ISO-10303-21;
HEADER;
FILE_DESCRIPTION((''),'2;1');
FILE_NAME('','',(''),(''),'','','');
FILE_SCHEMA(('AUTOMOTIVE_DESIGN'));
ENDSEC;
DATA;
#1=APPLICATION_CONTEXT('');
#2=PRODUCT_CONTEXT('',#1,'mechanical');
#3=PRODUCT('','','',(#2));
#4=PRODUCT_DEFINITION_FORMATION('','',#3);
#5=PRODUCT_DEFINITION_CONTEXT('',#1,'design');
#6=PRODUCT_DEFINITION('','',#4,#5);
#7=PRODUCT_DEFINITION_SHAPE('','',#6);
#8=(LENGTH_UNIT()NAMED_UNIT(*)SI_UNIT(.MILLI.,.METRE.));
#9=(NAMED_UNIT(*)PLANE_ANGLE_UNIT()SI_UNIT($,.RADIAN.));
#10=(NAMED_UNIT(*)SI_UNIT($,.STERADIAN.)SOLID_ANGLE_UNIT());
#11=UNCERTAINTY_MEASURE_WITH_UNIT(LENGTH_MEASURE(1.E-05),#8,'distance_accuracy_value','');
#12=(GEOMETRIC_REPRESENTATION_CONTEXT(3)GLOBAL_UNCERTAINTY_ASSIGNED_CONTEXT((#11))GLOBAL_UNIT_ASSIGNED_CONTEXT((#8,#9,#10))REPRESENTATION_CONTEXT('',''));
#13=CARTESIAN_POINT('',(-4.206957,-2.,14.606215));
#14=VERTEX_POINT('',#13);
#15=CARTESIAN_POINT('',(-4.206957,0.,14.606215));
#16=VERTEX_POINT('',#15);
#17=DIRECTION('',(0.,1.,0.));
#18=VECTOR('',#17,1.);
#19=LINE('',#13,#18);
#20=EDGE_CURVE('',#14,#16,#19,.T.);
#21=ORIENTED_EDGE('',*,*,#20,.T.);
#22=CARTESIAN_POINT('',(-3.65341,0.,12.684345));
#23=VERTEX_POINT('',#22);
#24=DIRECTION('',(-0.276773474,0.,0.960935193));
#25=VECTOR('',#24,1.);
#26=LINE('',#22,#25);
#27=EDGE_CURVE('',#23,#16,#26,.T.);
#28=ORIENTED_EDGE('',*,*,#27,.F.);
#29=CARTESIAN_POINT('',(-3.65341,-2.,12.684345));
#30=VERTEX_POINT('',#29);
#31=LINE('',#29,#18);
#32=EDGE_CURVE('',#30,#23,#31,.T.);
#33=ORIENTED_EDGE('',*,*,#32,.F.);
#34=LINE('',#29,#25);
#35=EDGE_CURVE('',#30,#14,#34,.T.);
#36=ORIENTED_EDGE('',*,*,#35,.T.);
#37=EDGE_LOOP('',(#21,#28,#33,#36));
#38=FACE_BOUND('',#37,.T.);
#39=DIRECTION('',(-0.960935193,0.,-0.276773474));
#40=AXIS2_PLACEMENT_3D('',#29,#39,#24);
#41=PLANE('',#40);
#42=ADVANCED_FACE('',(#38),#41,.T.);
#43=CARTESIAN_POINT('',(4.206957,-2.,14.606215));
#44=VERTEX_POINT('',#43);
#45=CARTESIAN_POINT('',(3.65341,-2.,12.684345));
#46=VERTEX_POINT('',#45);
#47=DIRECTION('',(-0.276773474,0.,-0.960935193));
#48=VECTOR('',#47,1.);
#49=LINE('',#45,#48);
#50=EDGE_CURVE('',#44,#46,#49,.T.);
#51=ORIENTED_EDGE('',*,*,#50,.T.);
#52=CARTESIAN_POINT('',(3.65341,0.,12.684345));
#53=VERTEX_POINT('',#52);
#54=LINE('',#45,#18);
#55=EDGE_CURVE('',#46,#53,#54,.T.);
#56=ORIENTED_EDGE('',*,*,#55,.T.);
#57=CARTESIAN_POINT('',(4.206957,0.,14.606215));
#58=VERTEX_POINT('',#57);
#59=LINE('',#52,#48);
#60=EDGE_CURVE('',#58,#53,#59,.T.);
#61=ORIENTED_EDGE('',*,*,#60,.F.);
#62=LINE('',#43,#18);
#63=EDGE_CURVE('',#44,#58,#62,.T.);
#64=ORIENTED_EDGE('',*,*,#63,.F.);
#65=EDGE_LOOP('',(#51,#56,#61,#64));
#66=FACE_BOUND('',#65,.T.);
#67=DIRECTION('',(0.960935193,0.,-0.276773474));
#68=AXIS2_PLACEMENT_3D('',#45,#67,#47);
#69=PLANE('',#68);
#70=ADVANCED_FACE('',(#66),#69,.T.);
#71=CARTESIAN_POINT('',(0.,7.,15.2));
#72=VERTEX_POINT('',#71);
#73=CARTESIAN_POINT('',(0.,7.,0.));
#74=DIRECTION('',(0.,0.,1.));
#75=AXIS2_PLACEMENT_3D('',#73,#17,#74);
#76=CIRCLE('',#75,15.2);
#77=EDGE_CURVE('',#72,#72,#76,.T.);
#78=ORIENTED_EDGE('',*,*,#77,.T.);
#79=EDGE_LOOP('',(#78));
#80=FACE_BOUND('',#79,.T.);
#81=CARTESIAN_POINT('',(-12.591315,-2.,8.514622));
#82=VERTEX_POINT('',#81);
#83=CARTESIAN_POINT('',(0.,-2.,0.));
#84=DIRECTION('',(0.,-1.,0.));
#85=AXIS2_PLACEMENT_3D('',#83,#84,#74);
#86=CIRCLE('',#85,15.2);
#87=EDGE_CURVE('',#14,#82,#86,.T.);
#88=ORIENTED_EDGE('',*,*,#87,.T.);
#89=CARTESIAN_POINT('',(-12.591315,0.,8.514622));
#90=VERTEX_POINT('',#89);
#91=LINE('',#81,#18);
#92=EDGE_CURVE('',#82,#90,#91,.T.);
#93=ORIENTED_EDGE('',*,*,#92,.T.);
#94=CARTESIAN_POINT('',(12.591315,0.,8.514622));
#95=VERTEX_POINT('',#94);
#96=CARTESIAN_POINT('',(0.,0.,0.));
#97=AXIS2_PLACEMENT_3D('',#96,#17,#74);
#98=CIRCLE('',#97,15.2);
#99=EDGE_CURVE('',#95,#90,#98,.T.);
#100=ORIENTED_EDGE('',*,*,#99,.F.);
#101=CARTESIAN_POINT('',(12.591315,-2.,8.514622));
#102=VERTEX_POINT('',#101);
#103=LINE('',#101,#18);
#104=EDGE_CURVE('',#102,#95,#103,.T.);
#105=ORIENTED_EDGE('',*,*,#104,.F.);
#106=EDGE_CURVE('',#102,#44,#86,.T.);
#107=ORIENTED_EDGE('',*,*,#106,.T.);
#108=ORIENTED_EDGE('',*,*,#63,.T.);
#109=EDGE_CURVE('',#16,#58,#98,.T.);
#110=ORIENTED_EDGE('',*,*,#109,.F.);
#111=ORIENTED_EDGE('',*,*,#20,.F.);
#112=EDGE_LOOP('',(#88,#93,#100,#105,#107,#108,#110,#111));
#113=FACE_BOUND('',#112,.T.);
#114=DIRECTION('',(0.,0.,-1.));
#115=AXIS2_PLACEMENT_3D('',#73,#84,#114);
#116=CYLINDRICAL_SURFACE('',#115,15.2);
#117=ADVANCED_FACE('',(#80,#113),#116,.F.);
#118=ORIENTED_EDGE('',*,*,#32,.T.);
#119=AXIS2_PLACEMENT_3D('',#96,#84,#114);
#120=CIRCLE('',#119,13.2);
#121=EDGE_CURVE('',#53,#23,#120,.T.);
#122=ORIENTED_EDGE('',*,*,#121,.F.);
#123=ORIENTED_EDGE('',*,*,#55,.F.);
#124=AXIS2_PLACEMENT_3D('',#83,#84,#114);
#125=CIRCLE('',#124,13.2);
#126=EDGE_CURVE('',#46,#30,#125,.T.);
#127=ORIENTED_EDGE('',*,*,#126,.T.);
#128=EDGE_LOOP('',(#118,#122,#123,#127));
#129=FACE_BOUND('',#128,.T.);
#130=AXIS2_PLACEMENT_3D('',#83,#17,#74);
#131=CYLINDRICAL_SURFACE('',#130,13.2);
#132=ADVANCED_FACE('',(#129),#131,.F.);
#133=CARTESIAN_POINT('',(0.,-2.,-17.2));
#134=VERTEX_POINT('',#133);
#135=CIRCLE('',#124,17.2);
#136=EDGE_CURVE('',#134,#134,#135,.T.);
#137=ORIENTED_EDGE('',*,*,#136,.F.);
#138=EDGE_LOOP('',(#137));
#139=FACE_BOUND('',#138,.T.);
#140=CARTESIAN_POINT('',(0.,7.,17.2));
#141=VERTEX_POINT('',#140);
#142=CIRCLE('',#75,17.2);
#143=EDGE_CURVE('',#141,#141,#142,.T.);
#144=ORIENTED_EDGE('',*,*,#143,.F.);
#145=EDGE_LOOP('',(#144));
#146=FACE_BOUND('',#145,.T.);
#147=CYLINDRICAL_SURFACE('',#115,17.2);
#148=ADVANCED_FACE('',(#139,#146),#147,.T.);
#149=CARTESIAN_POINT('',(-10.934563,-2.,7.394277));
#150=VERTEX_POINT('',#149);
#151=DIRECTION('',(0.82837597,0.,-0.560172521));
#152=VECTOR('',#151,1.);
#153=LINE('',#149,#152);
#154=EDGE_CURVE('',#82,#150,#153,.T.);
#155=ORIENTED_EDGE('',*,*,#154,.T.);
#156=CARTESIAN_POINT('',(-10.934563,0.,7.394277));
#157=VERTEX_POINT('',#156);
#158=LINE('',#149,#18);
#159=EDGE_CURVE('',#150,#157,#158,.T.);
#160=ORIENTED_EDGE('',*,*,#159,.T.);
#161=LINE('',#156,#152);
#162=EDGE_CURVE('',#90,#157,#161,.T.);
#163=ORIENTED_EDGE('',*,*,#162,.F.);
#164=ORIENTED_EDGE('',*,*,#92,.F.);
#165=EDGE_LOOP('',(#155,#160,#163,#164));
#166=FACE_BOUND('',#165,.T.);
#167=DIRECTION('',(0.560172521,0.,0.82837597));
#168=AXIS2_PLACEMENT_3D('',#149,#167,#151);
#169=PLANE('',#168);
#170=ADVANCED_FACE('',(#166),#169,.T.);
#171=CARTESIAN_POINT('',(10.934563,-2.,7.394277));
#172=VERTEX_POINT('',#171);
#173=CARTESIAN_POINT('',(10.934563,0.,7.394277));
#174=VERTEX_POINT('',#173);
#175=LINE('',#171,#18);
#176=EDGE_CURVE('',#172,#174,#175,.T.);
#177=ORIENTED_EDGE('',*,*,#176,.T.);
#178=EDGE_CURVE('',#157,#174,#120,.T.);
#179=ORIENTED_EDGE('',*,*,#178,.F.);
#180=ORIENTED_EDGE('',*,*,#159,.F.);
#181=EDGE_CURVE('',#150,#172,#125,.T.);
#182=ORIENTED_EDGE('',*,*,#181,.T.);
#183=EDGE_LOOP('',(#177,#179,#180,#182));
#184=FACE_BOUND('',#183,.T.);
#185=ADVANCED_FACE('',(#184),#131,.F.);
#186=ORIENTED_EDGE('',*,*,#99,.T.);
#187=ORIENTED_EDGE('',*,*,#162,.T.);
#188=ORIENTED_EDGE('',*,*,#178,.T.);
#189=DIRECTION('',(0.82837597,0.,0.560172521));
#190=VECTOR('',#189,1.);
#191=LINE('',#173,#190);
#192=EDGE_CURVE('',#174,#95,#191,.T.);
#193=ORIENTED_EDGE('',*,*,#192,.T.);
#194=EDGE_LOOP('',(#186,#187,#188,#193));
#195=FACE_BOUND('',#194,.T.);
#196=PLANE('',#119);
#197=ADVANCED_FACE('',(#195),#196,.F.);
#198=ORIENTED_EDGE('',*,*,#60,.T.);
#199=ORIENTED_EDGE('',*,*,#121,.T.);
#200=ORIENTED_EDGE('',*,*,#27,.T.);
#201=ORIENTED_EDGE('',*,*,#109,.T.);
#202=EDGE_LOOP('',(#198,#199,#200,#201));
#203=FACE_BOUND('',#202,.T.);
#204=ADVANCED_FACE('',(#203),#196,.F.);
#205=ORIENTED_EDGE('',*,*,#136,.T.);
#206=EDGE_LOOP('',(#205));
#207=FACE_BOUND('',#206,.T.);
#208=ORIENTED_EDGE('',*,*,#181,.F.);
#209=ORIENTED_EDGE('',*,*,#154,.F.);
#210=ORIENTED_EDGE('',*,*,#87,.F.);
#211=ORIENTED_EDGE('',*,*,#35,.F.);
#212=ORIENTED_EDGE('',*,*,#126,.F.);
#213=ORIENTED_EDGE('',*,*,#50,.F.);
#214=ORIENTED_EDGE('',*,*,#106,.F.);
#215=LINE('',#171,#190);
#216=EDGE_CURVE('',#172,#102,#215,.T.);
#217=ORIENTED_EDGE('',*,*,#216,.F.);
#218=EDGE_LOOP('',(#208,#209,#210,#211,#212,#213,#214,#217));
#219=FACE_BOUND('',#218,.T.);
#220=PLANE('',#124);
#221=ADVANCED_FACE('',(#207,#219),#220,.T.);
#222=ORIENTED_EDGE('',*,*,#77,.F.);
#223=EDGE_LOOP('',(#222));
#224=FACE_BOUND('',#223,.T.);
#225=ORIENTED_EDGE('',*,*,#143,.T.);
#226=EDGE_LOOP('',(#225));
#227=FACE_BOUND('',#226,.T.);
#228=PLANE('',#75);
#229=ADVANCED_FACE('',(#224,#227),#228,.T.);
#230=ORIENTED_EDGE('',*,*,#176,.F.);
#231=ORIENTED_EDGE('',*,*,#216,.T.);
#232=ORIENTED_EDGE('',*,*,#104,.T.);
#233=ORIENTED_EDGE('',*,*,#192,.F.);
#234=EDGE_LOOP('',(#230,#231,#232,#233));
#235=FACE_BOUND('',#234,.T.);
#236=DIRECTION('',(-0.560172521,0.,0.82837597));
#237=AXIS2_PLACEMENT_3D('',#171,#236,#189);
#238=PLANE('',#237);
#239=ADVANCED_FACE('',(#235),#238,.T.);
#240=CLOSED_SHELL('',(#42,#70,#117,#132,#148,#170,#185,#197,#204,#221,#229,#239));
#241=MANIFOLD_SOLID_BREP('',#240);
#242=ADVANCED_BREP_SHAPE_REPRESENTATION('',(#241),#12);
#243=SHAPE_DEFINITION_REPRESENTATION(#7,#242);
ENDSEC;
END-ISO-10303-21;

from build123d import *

# Parameters (mm, degrees)
SKETCH1_R           = 17.2
SKETCH1_R_2         = 15.2
BOSS_EXTRUDE1_DEPTH = 7
BOSS_EXTRUDE2_START = 2
SKETCH2_R           = 17.2
BOSS_EXTRUDE2_DEPTH = 2


with BuildPart() as part:
    # Sketch1 → Boss-Extrude1 (new body)
    with BuildSketch(Plane(origin=(0, 0, 0), x_dir=(1, 0, 0), z_dir=(0, 1, 0))):
        Circle(SKETCH1_R)
        Circle(SKETCH1_R_2, mode=Mode.SUBTRACT)
    extrude(amount=BOSS_EXTRUDE1_DEPTH)

    # Sketch2 → Boss-Extrude2 (add)
    with BuildSketch(Plane.XZ.offset(BOSS_EXTRUDE2_START)):
        Circle(SKETCH2_R)
        with BuildLine():
            Line((-10.9345628, 7.394277271), (-12.59131474, 8.514622313))
            ThreePointArc((-12.59131474, 8.514622313), (-8.934335835, 12.297058314), (-4.206956798, 14.606214927))
            Line((-4.206956798, 14.606214927), (-3.653409851, 12.684344542))
            ThreePointArc((-3.653409851, 12.684344542), (0, 13.2), (3.653409851, 12.684344542))
            Line((3.653409851, 12.684344542), (4.206956798, 14.606214927))
            ThreePointArc((4.206956798, 14.606214927), (8.934335835, 12.297058314), (12.59131474, 8.514622313))
            Line((12.59131474, 8.514622313), (10.9345628, 7.394277271))
            ThreePointArc((10.9345628, 7.394277271), (0, -13.2), (-10.9345628, 7.394277271))
        make_face(mode=Mode.SUBTRACT)
    extrude(amount=-BOSS_EXTRUDE2_DEPTH)


solid = part.part
